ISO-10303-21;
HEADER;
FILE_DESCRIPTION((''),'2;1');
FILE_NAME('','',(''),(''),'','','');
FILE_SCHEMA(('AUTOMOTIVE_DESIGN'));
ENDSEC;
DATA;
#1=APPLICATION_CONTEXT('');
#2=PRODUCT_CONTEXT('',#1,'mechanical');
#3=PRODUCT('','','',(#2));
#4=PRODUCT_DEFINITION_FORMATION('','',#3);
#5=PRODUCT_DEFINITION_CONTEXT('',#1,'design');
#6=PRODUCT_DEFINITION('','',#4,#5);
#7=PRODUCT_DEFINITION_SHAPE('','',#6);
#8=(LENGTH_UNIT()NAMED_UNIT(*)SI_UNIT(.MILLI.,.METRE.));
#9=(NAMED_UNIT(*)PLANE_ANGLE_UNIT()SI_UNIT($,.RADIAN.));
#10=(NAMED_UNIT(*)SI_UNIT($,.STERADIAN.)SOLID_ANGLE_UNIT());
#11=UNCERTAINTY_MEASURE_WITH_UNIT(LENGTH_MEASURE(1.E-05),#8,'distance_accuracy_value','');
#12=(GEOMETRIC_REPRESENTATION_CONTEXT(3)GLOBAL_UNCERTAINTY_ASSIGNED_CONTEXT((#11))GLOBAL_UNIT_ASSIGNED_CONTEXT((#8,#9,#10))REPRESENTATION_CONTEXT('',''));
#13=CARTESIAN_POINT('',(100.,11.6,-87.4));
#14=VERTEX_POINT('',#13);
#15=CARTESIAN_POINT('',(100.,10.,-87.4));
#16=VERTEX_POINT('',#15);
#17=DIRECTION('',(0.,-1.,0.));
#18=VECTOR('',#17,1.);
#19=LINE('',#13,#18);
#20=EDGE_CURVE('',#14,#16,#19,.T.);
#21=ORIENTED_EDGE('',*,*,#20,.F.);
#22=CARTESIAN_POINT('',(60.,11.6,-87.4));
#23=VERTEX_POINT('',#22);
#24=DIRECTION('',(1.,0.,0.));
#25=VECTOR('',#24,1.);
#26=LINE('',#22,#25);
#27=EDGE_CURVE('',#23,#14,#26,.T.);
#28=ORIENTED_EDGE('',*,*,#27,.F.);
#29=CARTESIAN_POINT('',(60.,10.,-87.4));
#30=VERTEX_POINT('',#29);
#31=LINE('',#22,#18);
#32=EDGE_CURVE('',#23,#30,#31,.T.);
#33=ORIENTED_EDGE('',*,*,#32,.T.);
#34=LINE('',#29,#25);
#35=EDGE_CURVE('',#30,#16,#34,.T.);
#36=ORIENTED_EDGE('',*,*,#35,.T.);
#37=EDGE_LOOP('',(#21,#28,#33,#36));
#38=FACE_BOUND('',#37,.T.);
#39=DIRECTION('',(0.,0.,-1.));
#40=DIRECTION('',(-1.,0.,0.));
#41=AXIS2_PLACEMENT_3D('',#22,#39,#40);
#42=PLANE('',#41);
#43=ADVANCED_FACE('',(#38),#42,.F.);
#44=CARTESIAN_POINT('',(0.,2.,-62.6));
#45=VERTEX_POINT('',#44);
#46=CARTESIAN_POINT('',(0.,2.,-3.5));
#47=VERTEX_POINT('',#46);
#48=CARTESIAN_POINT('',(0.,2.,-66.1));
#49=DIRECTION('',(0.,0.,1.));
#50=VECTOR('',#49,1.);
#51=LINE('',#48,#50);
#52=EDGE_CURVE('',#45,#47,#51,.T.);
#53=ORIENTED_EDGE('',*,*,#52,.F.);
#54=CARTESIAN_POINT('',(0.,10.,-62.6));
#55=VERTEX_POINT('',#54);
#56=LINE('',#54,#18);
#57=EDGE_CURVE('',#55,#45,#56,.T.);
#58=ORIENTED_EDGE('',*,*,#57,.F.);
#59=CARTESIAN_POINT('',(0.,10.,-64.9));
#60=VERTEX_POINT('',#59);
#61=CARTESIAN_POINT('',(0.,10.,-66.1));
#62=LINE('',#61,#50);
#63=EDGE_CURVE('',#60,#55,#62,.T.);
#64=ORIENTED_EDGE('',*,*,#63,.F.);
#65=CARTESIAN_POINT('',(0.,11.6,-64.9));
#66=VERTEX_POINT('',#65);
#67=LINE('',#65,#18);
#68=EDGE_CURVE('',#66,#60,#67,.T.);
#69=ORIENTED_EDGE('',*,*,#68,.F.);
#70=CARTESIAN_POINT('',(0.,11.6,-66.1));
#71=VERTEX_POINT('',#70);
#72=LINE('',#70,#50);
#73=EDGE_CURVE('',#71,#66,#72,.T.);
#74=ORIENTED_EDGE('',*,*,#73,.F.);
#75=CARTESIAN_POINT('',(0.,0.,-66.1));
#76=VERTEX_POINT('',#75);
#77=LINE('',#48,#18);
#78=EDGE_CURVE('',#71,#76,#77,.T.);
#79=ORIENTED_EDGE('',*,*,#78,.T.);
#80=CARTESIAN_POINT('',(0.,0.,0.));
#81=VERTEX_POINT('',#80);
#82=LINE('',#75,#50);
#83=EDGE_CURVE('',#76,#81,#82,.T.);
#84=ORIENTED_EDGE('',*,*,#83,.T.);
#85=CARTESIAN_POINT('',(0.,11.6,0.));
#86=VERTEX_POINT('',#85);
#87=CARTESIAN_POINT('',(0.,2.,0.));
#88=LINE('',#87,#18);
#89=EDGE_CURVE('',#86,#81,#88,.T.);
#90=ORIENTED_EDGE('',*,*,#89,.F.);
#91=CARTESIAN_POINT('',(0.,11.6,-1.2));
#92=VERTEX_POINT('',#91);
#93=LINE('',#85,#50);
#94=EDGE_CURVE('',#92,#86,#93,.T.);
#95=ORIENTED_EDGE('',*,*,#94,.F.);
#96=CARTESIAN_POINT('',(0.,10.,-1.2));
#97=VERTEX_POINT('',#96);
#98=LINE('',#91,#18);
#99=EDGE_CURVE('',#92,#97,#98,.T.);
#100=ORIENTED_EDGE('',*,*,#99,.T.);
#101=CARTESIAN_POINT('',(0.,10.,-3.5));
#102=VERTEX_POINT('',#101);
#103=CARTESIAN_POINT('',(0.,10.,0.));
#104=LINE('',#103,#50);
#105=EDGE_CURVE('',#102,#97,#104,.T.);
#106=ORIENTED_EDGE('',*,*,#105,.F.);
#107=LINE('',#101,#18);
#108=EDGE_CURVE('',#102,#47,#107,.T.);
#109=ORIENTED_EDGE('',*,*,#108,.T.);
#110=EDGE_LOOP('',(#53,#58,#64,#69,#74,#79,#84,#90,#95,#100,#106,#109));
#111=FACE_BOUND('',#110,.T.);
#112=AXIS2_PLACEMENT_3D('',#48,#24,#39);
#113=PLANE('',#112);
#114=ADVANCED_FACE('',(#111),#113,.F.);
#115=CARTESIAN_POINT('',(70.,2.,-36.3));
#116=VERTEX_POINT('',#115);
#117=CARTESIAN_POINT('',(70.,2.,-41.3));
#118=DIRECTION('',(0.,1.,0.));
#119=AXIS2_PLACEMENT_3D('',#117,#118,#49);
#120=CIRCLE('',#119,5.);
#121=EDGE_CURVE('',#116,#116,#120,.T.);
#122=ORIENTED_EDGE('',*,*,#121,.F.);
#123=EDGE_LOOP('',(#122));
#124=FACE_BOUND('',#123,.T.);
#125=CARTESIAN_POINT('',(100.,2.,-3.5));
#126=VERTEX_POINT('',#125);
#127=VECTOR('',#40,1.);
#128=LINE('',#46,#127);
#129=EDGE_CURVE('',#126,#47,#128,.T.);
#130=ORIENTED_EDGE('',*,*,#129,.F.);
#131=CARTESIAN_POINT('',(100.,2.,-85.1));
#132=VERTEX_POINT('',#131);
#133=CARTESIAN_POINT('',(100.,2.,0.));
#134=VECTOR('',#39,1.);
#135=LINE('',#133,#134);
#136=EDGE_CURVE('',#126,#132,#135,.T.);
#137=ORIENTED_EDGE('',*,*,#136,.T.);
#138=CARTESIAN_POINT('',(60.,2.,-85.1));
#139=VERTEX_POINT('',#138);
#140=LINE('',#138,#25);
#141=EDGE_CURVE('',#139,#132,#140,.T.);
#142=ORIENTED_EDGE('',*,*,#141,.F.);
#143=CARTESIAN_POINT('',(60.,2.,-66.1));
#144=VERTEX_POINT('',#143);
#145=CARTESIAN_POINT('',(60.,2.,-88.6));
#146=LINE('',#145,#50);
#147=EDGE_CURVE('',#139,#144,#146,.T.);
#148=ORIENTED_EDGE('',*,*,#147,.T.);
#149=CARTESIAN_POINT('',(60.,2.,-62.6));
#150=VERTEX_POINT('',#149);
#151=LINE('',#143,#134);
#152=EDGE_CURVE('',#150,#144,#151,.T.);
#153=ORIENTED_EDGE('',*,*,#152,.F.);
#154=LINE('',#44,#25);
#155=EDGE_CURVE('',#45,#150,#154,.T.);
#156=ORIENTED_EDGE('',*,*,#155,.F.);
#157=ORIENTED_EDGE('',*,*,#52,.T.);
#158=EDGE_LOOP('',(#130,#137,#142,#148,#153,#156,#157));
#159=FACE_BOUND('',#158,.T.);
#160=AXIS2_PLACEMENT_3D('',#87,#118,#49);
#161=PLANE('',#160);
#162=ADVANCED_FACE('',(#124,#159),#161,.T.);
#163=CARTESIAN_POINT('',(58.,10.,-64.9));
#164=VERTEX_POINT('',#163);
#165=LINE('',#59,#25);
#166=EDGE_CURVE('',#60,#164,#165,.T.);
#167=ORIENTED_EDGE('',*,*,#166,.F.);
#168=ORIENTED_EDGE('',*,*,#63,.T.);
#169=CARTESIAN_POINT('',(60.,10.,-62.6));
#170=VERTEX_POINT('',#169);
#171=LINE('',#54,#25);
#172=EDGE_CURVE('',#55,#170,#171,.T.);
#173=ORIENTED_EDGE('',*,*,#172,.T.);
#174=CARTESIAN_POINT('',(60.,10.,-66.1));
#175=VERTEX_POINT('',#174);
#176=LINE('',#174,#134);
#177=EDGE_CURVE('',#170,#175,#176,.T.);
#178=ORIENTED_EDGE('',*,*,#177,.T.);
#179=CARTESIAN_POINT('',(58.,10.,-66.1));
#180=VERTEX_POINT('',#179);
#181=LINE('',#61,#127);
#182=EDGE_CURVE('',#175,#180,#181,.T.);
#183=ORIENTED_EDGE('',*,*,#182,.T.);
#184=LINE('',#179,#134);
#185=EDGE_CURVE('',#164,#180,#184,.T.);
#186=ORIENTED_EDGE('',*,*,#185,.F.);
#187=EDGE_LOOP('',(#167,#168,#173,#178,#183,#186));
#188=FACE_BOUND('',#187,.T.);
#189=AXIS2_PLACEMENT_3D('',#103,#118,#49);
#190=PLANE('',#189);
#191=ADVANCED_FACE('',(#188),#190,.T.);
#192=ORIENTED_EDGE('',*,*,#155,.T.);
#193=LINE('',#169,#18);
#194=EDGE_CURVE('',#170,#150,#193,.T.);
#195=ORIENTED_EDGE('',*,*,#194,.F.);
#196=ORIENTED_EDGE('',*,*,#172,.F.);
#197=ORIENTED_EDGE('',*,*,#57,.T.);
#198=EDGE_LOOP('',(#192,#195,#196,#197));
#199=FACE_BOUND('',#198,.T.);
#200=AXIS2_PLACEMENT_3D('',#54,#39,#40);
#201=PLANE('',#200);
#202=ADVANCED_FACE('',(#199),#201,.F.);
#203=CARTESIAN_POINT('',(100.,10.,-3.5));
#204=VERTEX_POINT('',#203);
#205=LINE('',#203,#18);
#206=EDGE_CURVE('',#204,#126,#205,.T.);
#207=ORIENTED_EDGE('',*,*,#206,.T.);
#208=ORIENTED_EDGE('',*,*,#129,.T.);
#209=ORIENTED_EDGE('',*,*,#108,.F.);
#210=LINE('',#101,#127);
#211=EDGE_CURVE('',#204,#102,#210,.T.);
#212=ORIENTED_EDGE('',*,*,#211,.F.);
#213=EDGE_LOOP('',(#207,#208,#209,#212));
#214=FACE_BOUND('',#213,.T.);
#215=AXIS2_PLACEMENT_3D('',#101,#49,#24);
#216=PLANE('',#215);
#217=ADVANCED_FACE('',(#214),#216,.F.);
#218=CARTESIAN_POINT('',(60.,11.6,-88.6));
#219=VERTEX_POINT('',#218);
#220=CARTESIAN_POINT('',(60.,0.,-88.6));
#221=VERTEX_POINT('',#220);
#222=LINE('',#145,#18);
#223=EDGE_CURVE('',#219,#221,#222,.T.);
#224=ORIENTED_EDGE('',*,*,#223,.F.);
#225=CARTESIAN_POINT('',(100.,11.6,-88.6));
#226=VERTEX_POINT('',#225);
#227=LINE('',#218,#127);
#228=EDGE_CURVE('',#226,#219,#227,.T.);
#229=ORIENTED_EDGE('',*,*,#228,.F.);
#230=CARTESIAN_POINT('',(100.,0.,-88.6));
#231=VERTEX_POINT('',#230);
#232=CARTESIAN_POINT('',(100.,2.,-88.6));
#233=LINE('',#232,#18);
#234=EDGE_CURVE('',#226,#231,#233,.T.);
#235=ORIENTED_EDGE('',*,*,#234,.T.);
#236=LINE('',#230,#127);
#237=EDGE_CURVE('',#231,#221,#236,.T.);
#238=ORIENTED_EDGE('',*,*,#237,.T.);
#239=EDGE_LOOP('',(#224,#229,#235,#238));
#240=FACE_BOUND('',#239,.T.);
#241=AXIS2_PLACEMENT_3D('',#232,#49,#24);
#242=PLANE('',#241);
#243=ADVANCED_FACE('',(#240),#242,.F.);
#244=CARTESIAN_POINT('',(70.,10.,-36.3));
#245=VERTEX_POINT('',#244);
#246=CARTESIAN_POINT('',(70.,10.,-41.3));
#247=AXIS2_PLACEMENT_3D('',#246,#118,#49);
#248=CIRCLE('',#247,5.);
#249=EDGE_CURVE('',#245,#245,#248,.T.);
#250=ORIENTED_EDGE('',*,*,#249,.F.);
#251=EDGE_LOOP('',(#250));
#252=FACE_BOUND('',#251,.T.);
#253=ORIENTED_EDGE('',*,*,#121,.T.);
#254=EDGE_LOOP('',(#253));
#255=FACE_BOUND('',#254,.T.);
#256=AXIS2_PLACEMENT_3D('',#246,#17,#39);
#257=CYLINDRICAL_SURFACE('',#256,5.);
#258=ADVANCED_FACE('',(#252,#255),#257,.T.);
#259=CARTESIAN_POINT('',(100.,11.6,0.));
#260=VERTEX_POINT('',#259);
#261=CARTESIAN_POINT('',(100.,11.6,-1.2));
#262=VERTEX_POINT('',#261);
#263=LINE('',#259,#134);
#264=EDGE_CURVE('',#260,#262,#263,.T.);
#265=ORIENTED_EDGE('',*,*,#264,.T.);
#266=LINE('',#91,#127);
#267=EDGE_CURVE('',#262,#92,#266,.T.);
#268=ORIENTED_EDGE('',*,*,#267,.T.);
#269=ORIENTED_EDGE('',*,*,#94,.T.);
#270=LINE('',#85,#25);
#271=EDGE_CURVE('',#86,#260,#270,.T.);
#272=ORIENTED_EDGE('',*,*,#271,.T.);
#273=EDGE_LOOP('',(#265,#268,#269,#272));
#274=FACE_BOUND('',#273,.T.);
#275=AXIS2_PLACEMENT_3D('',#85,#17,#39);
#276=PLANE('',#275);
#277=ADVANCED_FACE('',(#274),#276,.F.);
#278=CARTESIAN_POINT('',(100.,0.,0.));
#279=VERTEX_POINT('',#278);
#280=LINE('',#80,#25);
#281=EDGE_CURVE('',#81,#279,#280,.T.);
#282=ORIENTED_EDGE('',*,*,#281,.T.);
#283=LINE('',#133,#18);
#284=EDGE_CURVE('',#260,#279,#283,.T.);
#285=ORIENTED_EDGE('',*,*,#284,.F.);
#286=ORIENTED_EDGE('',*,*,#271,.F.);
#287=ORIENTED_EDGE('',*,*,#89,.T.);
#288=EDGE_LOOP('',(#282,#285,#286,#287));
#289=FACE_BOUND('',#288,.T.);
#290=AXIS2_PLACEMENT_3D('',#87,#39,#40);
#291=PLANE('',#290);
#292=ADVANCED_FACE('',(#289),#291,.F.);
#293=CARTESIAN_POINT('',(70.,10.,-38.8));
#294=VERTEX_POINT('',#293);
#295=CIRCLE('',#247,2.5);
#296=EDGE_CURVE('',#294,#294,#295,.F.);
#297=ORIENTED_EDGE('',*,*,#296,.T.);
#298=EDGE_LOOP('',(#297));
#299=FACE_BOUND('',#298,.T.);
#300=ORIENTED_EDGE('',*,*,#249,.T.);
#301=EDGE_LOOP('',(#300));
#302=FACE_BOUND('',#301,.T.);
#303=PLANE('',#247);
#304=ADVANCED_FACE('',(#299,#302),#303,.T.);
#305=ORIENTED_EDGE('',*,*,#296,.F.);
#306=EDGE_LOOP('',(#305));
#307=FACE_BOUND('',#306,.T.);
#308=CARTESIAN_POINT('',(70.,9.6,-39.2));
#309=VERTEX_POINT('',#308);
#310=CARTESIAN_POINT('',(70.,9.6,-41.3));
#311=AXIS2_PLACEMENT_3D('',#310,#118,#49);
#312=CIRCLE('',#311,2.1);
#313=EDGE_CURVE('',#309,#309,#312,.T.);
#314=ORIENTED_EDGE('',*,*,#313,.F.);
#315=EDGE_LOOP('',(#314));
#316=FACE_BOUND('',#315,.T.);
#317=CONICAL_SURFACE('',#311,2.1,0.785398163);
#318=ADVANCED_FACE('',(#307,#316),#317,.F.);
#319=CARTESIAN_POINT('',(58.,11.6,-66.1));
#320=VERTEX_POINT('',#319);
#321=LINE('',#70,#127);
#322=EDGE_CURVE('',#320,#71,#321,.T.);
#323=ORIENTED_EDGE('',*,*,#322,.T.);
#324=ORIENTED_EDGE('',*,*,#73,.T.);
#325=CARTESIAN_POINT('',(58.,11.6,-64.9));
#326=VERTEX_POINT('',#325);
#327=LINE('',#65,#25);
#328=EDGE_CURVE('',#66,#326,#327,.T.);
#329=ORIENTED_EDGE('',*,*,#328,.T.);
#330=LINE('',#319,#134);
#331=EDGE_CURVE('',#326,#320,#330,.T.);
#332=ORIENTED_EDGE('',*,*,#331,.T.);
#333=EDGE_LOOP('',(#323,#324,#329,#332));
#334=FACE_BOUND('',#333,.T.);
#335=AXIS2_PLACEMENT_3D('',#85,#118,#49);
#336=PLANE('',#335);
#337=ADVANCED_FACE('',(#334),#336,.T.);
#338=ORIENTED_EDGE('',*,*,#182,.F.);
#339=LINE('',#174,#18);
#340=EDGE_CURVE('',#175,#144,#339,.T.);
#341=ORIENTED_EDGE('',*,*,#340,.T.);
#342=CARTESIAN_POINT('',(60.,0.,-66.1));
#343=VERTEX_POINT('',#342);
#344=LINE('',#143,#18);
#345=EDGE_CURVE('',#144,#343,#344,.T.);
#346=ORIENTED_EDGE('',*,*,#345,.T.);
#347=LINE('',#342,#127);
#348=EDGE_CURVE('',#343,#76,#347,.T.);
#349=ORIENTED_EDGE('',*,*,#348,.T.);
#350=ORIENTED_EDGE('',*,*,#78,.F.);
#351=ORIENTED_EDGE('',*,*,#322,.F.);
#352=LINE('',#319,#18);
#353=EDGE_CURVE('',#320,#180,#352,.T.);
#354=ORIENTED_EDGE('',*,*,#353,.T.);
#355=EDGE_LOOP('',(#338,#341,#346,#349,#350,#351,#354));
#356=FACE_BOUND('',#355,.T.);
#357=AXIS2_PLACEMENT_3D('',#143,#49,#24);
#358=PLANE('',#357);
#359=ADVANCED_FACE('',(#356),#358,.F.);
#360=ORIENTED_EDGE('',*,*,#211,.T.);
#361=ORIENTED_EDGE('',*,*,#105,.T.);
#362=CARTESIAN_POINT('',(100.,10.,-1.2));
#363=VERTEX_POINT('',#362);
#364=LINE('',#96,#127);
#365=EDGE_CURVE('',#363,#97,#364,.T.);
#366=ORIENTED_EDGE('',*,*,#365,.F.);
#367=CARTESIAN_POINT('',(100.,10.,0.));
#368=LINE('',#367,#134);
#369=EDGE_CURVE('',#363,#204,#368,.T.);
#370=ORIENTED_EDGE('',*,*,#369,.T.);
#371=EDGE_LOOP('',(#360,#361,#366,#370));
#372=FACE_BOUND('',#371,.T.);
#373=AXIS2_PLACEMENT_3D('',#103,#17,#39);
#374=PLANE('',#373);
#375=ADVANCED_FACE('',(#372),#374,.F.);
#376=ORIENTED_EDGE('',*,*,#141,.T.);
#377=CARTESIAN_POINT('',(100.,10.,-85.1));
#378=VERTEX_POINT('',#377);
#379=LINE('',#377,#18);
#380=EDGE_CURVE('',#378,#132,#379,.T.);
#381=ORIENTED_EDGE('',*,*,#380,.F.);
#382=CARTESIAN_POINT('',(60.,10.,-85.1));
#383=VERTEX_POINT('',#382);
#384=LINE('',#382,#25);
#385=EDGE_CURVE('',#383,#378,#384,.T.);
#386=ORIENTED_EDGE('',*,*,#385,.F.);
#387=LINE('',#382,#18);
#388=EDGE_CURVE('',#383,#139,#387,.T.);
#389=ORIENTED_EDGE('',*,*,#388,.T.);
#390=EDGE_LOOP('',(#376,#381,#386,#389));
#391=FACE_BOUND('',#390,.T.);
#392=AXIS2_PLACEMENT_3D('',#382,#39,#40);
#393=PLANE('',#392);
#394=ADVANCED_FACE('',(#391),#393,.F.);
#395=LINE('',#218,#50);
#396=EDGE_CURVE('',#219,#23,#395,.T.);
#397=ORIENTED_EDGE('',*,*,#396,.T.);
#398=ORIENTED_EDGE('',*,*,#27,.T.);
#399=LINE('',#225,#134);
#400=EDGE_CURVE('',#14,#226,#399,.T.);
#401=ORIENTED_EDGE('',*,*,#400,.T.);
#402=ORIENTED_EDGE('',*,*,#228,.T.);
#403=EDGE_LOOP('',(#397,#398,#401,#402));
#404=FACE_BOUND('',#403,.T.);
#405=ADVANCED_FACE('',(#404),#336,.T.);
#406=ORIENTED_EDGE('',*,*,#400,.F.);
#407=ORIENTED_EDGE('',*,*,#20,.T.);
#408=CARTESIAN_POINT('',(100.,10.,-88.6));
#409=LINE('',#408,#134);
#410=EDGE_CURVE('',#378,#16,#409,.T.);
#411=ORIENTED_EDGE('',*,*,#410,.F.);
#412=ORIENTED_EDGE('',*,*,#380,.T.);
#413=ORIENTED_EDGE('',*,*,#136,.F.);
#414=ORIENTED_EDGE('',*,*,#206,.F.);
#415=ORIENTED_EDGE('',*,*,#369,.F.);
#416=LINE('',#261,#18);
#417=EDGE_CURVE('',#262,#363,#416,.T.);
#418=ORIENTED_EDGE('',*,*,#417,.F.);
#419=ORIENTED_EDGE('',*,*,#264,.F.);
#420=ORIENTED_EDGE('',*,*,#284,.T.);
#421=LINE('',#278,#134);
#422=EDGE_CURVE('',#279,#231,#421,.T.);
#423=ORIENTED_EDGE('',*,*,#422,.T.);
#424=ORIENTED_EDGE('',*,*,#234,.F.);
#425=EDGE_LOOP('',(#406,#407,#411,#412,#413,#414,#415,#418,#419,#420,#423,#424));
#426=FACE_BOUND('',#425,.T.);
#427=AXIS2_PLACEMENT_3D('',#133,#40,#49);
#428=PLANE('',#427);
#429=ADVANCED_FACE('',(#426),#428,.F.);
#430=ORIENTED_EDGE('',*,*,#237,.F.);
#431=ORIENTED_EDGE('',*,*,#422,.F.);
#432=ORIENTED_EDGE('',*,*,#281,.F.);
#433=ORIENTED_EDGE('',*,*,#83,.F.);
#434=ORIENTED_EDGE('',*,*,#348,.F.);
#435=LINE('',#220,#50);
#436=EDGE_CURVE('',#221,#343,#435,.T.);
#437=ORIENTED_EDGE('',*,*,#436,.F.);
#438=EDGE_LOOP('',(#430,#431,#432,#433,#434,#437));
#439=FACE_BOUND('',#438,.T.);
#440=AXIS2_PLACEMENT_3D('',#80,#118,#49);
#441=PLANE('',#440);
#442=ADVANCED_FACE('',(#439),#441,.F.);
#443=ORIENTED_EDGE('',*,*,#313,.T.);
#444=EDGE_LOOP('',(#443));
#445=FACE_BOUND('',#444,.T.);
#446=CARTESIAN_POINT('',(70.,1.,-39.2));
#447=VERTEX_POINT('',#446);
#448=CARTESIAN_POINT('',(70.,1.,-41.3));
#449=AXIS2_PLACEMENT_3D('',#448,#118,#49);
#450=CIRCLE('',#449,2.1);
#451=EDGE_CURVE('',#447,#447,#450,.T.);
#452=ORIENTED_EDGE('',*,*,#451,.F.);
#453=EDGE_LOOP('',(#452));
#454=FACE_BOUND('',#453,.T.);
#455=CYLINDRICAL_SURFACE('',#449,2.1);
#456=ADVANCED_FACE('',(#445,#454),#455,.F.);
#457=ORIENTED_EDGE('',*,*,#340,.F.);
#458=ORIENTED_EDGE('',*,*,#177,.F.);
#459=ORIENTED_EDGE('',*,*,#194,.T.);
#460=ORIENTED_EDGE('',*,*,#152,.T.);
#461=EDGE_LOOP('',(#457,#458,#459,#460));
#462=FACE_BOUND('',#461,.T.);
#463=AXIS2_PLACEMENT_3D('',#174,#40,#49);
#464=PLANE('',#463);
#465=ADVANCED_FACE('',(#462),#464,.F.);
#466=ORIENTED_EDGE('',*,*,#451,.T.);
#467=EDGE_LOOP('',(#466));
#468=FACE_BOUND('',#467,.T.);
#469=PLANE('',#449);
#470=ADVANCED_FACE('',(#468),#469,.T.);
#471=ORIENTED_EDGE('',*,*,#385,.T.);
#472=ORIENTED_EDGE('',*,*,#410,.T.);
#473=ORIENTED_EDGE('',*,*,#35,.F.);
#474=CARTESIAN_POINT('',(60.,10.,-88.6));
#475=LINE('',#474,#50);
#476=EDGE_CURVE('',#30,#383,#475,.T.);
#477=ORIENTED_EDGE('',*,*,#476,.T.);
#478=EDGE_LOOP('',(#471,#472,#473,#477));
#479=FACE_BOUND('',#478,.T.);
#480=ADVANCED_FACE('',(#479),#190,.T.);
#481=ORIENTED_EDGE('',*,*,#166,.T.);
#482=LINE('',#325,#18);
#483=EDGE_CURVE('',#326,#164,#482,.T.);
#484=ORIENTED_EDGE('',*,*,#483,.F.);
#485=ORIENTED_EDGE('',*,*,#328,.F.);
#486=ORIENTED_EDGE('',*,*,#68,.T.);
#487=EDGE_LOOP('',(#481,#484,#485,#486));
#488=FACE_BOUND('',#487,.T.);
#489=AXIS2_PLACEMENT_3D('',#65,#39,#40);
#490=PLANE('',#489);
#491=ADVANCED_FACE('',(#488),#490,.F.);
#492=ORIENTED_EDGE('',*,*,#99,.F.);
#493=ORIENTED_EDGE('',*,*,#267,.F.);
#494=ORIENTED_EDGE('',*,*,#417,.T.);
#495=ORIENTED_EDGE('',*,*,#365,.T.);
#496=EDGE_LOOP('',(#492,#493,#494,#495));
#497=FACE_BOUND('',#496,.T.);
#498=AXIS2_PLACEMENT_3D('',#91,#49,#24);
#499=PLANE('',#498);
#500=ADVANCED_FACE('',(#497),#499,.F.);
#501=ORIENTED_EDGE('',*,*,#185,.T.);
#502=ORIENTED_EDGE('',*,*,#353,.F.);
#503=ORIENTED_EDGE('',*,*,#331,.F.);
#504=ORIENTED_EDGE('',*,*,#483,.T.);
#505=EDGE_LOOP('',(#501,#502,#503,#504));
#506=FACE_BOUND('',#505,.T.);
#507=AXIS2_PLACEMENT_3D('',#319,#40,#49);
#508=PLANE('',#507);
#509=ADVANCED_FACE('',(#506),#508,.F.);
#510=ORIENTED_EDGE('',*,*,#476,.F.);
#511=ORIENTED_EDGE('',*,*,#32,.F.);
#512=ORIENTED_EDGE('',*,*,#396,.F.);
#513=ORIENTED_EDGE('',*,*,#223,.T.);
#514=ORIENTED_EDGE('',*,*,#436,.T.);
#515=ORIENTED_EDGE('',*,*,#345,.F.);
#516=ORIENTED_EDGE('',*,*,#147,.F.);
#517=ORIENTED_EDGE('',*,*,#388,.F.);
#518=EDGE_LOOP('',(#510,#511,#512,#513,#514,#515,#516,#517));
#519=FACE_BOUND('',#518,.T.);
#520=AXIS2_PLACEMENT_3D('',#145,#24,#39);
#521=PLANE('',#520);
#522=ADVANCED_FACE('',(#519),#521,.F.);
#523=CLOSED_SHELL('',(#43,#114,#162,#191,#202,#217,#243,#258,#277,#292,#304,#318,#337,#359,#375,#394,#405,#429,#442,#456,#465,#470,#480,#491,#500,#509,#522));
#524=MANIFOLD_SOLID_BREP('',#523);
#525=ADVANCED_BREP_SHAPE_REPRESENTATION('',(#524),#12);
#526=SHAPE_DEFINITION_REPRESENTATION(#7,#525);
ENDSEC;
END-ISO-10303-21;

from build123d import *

# Parameters (mm, degrees)
AUFSATZ_LINEAR_AUSTRAGEN1_DEPTH = 2
SKIZZE2_R                       = 5
SKIZZE2_W                       = 60
SKIZZE2_H                       = 3.5
SKIZZE2_W_2                     = 40
SKIZZE2_W_3                     = 100
AUFSATZ_LINEAR_AUSTRAGEN2_DEPTH = 8
SKIZZE3_R                       = 2.1
SCHNITT_LINEAR_AUSTRAGEN1_DEPTH = 9
FASE1_SIZE                      = 0.4
SKIZZE4_W                       = 58
SKIZZE4_H                       = 1.2
SKIZZE4_W_2                     = 40
SKIZZE4_W_3                     = 100
AUFSATZ_LINEAR_AUSTRAGEN3_DEPTH = 1.6


with BuildPart() as part:
    # Skizze1 → Aufsatz-Linear austragen1 (new body)
    with BuildSketch(Plane(origin=(0, 0, 0), x_dir=(1, 0, 0), z_dir=(0, 1, 0))):
        Polygon((0, 66.1), (0, 0), (100, 0), (100, 88.6), (60, 88.6), (60, 66.1), align=None)
    extrude(amount=AUFSATZ_LINEAR_AUSTRAGEN1_DEPTH)

    # Skizze2 → Aufsatz-Linear austragen2 (add)
    with BuildSketch(Plane(origin=(0, 2, 0), x_dir=(1, 0, 0), z_dir=(0, 1, 0))):
        with Locations(Location((70, 41.3, 0), (0, 0, 270))):
            Circle(SKIZZE2_R)
        with Locations((30, 64.35)):
            Rectangle(SKIZZE2_W, SKIZZE2_H)
        with Locations((80, 86.85)):
            Rectangle(SKIZZE2_W_2, SKIZZE2_H)
        with Locations((50, 1.75)):
            Rectangle(SKIZZE2_W_3, SKIZZE2_H)
    extrude(amount=AUFSATZ_LINEAR_AUSTRAGEN2_DEPTH)

    # Skizze3 → Schnitt-Linear austragen1 (cut)
    with BuildSketch(Plane(origin=(0, 10, 0), x_dir=(1, 0, 0), z_dir=(0, 1, 0))):
        with Locations(Location((70, 41.3, 0), (0, 0, 270))):
            Circle(SKIZZE3_R)
    extrude(amount=-SCHNITT_LINEAR_AUSTRAGEN1_DEPTH, mode=Mode.SUBTRACT)

    # Fase1
    fase1_edges = [part.edges().sort_by_distance(p)[0] for p in [
        (70, 10, -43.4),
    ]]
    chamfer(fase1_edges, length=FASE1_SIZE)

    # Skizze4 → Aufsatz-Linear austragen3 (add)
    with BuildSketch(Plane(origin=(0, 10, 0), x_dir=(1, 0, 0), z_dir=(0, 1, 0))):
        with Locations((29, 65.5)):
            Rectangle(SKIZZE4_W, SKIZZE4_H)
        with Locations((80, 88)):
            Rectangle(SKIZZE4_W_2, SKIZZE4_H)
        with Locations((50, 0.6)):
            Rectangle(SKIZZE4_W_3, SKIZZE4_H)
    extrude(amount=AUFSATZ_LINEAR_AUSTRAGEN3_DEPTH)


solid = part.part
